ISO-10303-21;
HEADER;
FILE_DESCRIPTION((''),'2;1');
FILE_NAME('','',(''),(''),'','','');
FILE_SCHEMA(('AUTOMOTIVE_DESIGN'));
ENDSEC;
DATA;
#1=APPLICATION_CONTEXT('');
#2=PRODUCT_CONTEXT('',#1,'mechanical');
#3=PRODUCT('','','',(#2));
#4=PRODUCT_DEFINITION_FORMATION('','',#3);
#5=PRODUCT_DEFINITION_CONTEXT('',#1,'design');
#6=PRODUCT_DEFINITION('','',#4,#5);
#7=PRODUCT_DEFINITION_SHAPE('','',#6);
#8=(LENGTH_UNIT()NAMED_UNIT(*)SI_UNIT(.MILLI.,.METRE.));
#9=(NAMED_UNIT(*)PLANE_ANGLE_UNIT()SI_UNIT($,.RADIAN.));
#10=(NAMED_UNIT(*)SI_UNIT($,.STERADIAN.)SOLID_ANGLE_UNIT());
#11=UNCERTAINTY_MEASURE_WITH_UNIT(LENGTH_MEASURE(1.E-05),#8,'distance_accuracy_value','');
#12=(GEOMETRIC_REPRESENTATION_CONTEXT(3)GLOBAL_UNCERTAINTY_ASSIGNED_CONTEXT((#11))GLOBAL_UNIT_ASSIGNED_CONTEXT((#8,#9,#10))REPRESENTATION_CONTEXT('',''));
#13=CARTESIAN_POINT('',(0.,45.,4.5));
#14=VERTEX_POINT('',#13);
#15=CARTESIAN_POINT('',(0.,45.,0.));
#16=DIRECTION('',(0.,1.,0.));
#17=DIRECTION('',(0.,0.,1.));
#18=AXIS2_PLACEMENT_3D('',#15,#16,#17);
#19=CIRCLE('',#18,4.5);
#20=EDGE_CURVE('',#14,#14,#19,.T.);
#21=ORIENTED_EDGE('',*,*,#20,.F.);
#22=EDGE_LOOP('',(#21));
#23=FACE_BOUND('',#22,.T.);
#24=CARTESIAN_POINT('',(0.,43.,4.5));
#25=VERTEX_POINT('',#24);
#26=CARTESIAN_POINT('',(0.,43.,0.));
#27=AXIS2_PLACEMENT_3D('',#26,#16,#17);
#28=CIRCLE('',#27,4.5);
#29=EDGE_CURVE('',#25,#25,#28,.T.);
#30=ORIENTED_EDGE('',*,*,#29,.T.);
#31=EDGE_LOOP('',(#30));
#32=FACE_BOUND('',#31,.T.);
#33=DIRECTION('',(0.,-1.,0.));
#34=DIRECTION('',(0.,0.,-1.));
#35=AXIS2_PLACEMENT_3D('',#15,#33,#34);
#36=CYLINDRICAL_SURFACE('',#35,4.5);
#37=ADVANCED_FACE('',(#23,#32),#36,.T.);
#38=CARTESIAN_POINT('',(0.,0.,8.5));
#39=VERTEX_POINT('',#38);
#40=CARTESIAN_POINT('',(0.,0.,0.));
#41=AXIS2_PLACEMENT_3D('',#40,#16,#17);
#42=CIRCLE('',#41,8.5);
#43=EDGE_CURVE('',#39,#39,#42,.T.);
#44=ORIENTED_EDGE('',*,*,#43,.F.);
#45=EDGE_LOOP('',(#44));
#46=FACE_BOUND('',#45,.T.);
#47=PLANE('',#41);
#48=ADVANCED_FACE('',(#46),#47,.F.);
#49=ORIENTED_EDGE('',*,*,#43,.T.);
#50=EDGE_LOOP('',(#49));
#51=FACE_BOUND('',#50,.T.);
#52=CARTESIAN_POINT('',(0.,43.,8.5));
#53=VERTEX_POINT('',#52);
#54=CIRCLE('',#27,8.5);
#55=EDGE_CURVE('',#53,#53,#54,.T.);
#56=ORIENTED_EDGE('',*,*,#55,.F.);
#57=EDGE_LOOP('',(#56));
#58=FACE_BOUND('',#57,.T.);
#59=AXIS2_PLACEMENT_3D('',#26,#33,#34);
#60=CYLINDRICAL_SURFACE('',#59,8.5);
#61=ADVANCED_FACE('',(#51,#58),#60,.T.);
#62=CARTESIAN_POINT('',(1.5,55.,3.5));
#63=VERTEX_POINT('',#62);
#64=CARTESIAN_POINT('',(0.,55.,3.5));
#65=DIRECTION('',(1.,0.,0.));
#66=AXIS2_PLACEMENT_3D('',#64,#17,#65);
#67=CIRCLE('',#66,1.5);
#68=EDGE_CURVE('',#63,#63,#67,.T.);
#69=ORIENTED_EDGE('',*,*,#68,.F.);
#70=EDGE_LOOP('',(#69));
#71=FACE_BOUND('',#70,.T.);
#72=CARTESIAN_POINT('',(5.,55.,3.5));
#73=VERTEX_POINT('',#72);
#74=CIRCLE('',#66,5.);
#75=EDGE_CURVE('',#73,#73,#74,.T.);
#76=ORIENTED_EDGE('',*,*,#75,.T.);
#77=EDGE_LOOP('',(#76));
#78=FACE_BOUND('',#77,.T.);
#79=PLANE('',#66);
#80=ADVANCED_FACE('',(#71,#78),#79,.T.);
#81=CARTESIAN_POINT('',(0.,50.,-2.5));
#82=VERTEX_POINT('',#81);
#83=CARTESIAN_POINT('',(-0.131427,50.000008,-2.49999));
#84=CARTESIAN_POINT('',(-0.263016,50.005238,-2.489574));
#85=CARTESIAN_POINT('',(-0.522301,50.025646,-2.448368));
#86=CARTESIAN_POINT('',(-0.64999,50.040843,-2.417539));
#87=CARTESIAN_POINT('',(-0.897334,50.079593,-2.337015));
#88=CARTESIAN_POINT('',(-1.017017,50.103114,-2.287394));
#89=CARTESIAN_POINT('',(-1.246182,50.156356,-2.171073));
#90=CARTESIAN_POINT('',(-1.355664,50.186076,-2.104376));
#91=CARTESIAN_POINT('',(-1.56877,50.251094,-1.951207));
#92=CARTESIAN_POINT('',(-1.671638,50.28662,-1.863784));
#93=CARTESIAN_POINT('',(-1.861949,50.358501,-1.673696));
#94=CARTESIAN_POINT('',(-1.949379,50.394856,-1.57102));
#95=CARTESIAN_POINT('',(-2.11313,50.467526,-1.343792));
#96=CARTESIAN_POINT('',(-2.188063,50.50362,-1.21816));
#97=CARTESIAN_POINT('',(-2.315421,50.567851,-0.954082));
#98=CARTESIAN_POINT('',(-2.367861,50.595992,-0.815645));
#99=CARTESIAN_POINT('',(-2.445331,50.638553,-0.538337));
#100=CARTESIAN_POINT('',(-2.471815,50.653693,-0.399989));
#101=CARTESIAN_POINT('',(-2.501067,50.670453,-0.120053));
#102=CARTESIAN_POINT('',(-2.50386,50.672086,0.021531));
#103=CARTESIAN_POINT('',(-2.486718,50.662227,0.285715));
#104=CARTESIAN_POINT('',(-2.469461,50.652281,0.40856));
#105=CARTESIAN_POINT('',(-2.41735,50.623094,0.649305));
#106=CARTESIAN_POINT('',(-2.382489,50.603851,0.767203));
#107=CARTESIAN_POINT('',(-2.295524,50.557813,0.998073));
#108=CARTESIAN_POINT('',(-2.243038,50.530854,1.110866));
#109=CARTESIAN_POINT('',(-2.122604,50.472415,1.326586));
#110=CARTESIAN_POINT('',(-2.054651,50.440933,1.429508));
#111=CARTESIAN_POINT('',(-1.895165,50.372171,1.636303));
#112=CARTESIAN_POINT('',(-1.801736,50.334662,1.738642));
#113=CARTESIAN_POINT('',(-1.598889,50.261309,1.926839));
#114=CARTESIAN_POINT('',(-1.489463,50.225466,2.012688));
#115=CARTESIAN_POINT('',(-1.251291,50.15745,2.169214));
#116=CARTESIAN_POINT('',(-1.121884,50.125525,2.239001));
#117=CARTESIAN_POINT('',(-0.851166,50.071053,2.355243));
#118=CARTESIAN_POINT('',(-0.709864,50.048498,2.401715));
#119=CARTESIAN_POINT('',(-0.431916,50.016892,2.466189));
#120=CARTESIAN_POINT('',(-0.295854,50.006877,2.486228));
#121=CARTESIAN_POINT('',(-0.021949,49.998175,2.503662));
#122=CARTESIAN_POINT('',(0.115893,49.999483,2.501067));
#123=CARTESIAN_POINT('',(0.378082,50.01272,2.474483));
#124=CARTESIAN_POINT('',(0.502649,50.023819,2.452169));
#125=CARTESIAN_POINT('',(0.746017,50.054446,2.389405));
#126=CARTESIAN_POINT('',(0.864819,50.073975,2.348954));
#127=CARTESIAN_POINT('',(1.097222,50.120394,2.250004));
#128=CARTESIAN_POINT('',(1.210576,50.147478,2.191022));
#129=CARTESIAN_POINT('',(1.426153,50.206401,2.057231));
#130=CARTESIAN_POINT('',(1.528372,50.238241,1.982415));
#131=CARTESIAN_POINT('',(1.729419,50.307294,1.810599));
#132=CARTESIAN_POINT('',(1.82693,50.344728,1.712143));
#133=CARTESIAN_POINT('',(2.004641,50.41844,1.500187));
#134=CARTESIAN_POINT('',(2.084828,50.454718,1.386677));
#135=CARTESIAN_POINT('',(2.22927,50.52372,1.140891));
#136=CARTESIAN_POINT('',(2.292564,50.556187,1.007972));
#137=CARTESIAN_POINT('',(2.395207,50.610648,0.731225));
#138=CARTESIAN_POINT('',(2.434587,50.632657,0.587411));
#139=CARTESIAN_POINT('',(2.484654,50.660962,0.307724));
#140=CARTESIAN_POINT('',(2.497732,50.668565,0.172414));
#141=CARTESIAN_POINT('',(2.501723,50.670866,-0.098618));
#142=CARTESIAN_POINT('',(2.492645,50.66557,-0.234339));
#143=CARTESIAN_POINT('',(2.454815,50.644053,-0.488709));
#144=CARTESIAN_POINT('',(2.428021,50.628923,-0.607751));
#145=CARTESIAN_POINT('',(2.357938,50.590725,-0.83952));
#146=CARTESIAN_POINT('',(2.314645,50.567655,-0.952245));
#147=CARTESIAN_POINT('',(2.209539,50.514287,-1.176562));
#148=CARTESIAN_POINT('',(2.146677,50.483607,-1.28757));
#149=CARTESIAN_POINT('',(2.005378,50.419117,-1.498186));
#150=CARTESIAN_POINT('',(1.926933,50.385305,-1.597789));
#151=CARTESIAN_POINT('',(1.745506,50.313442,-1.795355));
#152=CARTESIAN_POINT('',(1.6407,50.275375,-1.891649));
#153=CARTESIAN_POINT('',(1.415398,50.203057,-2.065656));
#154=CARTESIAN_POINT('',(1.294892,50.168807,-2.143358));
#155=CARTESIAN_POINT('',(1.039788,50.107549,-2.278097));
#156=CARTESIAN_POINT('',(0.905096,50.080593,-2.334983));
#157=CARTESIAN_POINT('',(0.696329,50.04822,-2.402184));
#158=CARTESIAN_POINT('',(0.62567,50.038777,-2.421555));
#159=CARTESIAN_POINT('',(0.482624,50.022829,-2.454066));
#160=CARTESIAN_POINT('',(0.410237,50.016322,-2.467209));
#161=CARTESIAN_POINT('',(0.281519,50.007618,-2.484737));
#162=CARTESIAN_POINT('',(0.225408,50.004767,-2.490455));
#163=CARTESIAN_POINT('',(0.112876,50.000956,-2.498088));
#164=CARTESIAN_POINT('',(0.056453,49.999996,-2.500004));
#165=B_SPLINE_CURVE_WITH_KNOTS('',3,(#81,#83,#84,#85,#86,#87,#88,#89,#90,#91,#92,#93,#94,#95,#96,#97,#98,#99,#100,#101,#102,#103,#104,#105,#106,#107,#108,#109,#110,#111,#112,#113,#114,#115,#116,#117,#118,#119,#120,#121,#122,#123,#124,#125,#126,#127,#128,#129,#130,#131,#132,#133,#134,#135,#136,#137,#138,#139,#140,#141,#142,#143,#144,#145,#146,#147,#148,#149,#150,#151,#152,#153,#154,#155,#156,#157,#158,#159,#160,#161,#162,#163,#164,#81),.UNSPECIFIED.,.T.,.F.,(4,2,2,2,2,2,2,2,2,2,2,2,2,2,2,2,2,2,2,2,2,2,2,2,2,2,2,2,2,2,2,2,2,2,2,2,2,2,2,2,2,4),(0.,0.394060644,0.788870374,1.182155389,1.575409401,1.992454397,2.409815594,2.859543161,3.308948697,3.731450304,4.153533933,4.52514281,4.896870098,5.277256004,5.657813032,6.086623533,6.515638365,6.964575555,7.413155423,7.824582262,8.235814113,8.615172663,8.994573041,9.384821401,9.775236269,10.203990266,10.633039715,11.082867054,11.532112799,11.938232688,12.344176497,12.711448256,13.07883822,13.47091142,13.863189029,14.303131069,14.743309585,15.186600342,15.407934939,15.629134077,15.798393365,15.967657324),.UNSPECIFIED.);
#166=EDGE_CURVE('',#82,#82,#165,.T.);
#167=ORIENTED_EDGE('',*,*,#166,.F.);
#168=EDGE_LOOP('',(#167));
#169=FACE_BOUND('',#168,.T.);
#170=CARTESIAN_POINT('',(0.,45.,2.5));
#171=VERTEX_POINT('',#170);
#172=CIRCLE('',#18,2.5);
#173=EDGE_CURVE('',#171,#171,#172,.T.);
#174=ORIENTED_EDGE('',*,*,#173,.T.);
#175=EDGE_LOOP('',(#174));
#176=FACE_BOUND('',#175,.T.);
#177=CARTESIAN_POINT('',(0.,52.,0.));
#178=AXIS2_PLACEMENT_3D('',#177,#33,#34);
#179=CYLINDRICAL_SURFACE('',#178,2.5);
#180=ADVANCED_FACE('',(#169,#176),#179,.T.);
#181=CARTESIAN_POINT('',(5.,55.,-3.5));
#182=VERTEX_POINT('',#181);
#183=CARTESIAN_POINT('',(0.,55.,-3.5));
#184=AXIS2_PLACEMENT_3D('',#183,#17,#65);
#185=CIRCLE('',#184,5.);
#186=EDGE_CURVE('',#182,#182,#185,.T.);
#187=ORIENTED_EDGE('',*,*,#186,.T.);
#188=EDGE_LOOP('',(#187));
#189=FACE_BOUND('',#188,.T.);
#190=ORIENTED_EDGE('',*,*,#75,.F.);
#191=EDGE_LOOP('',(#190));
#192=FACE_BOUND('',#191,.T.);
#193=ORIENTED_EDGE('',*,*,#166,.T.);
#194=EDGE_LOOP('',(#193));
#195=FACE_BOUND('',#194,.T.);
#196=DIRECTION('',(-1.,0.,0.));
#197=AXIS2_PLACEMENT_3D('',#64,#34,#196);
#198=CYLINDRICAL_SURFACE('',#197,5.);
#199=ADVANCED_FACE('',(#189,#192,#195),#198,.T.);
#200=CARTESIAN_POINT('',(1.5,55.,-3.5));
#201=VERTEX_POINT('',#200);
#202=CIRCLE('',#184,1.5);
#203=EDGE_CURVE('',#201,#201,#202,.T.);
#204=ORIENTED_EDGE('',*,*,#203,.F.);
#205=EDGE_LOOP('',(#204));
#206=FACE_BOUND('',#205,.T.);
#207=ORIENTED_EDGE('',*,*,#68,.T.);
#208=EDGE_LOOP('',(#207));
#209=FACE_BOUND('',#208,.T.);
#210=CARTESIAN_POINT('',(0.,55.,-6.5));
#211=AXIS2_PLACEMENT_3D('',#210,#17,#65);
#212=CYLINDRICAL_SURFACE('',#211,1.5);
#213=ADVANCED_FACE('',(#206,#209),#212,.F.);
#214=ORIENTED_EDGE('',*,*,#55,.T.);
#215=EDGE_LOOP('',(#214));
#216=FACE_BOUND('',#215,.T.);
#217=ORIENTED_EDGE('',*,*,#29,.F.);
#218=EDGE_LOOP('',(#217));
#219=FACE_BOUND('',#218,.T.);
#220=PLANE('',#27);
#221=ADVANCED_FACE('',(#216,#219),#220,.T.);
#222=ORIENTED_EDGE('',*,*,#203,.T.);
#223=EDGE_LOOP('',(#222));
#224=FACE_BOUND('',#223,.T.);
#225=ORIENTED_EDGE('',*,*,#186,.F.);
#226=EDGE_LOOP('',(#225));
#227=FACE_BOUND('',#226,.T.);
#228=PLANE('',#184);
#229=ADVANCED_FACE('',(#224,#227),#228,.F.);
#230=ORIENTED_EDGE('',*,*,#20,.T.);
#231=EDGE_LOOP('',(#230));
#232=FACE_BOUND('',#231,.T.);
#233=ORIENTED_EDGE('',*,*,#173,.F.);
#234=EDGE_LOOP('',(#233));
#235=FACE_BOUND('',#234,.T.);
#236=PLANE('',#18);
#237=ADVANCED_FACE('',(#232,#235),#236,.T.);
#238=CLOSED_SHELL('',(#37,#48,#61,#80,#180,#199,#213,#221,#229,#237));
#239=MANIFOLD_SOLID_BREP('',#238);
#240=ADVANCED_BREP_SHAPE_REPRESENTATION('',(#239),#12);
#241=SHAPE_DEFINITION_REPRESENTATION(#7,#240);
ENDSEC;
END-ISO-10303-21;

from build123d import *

# Parameters (mm, degrees)
SKETCH_1_R          = 8.5
EXTRUDE_1_DEPTH     = 43
SKETCH_2_R          = 5
EXTRUDE_2_DEPTH     = 3.5
SKETCH_3_R          = 2.5
EXTRUDE_3_DEPTH     = 9
SKETCH_4_R          = 1.5
CUT_EXTRUDE_1_DEPTH = 10
SKETCH_5_R          = 4.5
SKETCH_5_R_2        = 2.5
EXTRUDE_4_DEPTH     = 2


with BuildPart() as part:
    # 草图1 → 凸台-拉伸1 (new body)
    with BuildSketch(Plane(origin=(0, 0, 0), x_dir=(1, 0, 0), z_dir=(0, 1, 0))):
        with Locations(Location((0, 0, 0), (0, 0, 270))):
            Circle(SKETCH_1_R)
    extrude(amount=EXTRUDE_1_DEPTH)



with BuildPart() as body_2:
    # 草图2 → 凸台-拉伸2 (new, symmetric)
    with BuildSketch(Plane.XY):
        with Locations((0, 55)):
            Circle(SKETCH_2_R)
    extrude(amount=EXTRUDE_2_DEPTH, both=True)


with BuildPart() as part_1:
    add(part.part)

    add(body_2.part)  # 凸台-拉伸3 merges body 2
    # 草图3 → 凸台-拉伸3 (add)
    with BuildSketch(Plane(origin=(0, 43, 0), x_dir=(1, 0, 0), z_dir=(0, 1, 0))):
        with Locations(Location((0, 0, 0), (0, 0, 90))):
            Circle(SKETCH_3_R)
    extrude(amount=EXTRUDE_3_DEPTH)

    # 草图4 → 切除-拉伸1 (cut)
    with BuildSketch(Plane.XY.offset(3.5)):
        with Locations((0, 55)):
            Circle(SKETCH_4_R)
    extrude(amount=-CUT_EXTRUDE_1_DEPTH, mode=Mode.SUBTRACT)

    # 草图5 → 凸台-拉伸4 (add)
    with BuildSketch(Plane(origin=(0, 43, 0), x_dir=(1, 0, 0), z_dir=(0, 1, 0))):
        with Locations(Location((0, 0, 0), (0, 0, 270))):
            Circle(SKETCH_5_R)
        with Locations(Location((0, 0, 0), (0, 0, 90))):
            Circle(SKETCH_5_R_2, mode=Mode.SUBTRACT)
    extrude(amount=EXTRUDE_4_DEPTH)


solid = part_1.part
